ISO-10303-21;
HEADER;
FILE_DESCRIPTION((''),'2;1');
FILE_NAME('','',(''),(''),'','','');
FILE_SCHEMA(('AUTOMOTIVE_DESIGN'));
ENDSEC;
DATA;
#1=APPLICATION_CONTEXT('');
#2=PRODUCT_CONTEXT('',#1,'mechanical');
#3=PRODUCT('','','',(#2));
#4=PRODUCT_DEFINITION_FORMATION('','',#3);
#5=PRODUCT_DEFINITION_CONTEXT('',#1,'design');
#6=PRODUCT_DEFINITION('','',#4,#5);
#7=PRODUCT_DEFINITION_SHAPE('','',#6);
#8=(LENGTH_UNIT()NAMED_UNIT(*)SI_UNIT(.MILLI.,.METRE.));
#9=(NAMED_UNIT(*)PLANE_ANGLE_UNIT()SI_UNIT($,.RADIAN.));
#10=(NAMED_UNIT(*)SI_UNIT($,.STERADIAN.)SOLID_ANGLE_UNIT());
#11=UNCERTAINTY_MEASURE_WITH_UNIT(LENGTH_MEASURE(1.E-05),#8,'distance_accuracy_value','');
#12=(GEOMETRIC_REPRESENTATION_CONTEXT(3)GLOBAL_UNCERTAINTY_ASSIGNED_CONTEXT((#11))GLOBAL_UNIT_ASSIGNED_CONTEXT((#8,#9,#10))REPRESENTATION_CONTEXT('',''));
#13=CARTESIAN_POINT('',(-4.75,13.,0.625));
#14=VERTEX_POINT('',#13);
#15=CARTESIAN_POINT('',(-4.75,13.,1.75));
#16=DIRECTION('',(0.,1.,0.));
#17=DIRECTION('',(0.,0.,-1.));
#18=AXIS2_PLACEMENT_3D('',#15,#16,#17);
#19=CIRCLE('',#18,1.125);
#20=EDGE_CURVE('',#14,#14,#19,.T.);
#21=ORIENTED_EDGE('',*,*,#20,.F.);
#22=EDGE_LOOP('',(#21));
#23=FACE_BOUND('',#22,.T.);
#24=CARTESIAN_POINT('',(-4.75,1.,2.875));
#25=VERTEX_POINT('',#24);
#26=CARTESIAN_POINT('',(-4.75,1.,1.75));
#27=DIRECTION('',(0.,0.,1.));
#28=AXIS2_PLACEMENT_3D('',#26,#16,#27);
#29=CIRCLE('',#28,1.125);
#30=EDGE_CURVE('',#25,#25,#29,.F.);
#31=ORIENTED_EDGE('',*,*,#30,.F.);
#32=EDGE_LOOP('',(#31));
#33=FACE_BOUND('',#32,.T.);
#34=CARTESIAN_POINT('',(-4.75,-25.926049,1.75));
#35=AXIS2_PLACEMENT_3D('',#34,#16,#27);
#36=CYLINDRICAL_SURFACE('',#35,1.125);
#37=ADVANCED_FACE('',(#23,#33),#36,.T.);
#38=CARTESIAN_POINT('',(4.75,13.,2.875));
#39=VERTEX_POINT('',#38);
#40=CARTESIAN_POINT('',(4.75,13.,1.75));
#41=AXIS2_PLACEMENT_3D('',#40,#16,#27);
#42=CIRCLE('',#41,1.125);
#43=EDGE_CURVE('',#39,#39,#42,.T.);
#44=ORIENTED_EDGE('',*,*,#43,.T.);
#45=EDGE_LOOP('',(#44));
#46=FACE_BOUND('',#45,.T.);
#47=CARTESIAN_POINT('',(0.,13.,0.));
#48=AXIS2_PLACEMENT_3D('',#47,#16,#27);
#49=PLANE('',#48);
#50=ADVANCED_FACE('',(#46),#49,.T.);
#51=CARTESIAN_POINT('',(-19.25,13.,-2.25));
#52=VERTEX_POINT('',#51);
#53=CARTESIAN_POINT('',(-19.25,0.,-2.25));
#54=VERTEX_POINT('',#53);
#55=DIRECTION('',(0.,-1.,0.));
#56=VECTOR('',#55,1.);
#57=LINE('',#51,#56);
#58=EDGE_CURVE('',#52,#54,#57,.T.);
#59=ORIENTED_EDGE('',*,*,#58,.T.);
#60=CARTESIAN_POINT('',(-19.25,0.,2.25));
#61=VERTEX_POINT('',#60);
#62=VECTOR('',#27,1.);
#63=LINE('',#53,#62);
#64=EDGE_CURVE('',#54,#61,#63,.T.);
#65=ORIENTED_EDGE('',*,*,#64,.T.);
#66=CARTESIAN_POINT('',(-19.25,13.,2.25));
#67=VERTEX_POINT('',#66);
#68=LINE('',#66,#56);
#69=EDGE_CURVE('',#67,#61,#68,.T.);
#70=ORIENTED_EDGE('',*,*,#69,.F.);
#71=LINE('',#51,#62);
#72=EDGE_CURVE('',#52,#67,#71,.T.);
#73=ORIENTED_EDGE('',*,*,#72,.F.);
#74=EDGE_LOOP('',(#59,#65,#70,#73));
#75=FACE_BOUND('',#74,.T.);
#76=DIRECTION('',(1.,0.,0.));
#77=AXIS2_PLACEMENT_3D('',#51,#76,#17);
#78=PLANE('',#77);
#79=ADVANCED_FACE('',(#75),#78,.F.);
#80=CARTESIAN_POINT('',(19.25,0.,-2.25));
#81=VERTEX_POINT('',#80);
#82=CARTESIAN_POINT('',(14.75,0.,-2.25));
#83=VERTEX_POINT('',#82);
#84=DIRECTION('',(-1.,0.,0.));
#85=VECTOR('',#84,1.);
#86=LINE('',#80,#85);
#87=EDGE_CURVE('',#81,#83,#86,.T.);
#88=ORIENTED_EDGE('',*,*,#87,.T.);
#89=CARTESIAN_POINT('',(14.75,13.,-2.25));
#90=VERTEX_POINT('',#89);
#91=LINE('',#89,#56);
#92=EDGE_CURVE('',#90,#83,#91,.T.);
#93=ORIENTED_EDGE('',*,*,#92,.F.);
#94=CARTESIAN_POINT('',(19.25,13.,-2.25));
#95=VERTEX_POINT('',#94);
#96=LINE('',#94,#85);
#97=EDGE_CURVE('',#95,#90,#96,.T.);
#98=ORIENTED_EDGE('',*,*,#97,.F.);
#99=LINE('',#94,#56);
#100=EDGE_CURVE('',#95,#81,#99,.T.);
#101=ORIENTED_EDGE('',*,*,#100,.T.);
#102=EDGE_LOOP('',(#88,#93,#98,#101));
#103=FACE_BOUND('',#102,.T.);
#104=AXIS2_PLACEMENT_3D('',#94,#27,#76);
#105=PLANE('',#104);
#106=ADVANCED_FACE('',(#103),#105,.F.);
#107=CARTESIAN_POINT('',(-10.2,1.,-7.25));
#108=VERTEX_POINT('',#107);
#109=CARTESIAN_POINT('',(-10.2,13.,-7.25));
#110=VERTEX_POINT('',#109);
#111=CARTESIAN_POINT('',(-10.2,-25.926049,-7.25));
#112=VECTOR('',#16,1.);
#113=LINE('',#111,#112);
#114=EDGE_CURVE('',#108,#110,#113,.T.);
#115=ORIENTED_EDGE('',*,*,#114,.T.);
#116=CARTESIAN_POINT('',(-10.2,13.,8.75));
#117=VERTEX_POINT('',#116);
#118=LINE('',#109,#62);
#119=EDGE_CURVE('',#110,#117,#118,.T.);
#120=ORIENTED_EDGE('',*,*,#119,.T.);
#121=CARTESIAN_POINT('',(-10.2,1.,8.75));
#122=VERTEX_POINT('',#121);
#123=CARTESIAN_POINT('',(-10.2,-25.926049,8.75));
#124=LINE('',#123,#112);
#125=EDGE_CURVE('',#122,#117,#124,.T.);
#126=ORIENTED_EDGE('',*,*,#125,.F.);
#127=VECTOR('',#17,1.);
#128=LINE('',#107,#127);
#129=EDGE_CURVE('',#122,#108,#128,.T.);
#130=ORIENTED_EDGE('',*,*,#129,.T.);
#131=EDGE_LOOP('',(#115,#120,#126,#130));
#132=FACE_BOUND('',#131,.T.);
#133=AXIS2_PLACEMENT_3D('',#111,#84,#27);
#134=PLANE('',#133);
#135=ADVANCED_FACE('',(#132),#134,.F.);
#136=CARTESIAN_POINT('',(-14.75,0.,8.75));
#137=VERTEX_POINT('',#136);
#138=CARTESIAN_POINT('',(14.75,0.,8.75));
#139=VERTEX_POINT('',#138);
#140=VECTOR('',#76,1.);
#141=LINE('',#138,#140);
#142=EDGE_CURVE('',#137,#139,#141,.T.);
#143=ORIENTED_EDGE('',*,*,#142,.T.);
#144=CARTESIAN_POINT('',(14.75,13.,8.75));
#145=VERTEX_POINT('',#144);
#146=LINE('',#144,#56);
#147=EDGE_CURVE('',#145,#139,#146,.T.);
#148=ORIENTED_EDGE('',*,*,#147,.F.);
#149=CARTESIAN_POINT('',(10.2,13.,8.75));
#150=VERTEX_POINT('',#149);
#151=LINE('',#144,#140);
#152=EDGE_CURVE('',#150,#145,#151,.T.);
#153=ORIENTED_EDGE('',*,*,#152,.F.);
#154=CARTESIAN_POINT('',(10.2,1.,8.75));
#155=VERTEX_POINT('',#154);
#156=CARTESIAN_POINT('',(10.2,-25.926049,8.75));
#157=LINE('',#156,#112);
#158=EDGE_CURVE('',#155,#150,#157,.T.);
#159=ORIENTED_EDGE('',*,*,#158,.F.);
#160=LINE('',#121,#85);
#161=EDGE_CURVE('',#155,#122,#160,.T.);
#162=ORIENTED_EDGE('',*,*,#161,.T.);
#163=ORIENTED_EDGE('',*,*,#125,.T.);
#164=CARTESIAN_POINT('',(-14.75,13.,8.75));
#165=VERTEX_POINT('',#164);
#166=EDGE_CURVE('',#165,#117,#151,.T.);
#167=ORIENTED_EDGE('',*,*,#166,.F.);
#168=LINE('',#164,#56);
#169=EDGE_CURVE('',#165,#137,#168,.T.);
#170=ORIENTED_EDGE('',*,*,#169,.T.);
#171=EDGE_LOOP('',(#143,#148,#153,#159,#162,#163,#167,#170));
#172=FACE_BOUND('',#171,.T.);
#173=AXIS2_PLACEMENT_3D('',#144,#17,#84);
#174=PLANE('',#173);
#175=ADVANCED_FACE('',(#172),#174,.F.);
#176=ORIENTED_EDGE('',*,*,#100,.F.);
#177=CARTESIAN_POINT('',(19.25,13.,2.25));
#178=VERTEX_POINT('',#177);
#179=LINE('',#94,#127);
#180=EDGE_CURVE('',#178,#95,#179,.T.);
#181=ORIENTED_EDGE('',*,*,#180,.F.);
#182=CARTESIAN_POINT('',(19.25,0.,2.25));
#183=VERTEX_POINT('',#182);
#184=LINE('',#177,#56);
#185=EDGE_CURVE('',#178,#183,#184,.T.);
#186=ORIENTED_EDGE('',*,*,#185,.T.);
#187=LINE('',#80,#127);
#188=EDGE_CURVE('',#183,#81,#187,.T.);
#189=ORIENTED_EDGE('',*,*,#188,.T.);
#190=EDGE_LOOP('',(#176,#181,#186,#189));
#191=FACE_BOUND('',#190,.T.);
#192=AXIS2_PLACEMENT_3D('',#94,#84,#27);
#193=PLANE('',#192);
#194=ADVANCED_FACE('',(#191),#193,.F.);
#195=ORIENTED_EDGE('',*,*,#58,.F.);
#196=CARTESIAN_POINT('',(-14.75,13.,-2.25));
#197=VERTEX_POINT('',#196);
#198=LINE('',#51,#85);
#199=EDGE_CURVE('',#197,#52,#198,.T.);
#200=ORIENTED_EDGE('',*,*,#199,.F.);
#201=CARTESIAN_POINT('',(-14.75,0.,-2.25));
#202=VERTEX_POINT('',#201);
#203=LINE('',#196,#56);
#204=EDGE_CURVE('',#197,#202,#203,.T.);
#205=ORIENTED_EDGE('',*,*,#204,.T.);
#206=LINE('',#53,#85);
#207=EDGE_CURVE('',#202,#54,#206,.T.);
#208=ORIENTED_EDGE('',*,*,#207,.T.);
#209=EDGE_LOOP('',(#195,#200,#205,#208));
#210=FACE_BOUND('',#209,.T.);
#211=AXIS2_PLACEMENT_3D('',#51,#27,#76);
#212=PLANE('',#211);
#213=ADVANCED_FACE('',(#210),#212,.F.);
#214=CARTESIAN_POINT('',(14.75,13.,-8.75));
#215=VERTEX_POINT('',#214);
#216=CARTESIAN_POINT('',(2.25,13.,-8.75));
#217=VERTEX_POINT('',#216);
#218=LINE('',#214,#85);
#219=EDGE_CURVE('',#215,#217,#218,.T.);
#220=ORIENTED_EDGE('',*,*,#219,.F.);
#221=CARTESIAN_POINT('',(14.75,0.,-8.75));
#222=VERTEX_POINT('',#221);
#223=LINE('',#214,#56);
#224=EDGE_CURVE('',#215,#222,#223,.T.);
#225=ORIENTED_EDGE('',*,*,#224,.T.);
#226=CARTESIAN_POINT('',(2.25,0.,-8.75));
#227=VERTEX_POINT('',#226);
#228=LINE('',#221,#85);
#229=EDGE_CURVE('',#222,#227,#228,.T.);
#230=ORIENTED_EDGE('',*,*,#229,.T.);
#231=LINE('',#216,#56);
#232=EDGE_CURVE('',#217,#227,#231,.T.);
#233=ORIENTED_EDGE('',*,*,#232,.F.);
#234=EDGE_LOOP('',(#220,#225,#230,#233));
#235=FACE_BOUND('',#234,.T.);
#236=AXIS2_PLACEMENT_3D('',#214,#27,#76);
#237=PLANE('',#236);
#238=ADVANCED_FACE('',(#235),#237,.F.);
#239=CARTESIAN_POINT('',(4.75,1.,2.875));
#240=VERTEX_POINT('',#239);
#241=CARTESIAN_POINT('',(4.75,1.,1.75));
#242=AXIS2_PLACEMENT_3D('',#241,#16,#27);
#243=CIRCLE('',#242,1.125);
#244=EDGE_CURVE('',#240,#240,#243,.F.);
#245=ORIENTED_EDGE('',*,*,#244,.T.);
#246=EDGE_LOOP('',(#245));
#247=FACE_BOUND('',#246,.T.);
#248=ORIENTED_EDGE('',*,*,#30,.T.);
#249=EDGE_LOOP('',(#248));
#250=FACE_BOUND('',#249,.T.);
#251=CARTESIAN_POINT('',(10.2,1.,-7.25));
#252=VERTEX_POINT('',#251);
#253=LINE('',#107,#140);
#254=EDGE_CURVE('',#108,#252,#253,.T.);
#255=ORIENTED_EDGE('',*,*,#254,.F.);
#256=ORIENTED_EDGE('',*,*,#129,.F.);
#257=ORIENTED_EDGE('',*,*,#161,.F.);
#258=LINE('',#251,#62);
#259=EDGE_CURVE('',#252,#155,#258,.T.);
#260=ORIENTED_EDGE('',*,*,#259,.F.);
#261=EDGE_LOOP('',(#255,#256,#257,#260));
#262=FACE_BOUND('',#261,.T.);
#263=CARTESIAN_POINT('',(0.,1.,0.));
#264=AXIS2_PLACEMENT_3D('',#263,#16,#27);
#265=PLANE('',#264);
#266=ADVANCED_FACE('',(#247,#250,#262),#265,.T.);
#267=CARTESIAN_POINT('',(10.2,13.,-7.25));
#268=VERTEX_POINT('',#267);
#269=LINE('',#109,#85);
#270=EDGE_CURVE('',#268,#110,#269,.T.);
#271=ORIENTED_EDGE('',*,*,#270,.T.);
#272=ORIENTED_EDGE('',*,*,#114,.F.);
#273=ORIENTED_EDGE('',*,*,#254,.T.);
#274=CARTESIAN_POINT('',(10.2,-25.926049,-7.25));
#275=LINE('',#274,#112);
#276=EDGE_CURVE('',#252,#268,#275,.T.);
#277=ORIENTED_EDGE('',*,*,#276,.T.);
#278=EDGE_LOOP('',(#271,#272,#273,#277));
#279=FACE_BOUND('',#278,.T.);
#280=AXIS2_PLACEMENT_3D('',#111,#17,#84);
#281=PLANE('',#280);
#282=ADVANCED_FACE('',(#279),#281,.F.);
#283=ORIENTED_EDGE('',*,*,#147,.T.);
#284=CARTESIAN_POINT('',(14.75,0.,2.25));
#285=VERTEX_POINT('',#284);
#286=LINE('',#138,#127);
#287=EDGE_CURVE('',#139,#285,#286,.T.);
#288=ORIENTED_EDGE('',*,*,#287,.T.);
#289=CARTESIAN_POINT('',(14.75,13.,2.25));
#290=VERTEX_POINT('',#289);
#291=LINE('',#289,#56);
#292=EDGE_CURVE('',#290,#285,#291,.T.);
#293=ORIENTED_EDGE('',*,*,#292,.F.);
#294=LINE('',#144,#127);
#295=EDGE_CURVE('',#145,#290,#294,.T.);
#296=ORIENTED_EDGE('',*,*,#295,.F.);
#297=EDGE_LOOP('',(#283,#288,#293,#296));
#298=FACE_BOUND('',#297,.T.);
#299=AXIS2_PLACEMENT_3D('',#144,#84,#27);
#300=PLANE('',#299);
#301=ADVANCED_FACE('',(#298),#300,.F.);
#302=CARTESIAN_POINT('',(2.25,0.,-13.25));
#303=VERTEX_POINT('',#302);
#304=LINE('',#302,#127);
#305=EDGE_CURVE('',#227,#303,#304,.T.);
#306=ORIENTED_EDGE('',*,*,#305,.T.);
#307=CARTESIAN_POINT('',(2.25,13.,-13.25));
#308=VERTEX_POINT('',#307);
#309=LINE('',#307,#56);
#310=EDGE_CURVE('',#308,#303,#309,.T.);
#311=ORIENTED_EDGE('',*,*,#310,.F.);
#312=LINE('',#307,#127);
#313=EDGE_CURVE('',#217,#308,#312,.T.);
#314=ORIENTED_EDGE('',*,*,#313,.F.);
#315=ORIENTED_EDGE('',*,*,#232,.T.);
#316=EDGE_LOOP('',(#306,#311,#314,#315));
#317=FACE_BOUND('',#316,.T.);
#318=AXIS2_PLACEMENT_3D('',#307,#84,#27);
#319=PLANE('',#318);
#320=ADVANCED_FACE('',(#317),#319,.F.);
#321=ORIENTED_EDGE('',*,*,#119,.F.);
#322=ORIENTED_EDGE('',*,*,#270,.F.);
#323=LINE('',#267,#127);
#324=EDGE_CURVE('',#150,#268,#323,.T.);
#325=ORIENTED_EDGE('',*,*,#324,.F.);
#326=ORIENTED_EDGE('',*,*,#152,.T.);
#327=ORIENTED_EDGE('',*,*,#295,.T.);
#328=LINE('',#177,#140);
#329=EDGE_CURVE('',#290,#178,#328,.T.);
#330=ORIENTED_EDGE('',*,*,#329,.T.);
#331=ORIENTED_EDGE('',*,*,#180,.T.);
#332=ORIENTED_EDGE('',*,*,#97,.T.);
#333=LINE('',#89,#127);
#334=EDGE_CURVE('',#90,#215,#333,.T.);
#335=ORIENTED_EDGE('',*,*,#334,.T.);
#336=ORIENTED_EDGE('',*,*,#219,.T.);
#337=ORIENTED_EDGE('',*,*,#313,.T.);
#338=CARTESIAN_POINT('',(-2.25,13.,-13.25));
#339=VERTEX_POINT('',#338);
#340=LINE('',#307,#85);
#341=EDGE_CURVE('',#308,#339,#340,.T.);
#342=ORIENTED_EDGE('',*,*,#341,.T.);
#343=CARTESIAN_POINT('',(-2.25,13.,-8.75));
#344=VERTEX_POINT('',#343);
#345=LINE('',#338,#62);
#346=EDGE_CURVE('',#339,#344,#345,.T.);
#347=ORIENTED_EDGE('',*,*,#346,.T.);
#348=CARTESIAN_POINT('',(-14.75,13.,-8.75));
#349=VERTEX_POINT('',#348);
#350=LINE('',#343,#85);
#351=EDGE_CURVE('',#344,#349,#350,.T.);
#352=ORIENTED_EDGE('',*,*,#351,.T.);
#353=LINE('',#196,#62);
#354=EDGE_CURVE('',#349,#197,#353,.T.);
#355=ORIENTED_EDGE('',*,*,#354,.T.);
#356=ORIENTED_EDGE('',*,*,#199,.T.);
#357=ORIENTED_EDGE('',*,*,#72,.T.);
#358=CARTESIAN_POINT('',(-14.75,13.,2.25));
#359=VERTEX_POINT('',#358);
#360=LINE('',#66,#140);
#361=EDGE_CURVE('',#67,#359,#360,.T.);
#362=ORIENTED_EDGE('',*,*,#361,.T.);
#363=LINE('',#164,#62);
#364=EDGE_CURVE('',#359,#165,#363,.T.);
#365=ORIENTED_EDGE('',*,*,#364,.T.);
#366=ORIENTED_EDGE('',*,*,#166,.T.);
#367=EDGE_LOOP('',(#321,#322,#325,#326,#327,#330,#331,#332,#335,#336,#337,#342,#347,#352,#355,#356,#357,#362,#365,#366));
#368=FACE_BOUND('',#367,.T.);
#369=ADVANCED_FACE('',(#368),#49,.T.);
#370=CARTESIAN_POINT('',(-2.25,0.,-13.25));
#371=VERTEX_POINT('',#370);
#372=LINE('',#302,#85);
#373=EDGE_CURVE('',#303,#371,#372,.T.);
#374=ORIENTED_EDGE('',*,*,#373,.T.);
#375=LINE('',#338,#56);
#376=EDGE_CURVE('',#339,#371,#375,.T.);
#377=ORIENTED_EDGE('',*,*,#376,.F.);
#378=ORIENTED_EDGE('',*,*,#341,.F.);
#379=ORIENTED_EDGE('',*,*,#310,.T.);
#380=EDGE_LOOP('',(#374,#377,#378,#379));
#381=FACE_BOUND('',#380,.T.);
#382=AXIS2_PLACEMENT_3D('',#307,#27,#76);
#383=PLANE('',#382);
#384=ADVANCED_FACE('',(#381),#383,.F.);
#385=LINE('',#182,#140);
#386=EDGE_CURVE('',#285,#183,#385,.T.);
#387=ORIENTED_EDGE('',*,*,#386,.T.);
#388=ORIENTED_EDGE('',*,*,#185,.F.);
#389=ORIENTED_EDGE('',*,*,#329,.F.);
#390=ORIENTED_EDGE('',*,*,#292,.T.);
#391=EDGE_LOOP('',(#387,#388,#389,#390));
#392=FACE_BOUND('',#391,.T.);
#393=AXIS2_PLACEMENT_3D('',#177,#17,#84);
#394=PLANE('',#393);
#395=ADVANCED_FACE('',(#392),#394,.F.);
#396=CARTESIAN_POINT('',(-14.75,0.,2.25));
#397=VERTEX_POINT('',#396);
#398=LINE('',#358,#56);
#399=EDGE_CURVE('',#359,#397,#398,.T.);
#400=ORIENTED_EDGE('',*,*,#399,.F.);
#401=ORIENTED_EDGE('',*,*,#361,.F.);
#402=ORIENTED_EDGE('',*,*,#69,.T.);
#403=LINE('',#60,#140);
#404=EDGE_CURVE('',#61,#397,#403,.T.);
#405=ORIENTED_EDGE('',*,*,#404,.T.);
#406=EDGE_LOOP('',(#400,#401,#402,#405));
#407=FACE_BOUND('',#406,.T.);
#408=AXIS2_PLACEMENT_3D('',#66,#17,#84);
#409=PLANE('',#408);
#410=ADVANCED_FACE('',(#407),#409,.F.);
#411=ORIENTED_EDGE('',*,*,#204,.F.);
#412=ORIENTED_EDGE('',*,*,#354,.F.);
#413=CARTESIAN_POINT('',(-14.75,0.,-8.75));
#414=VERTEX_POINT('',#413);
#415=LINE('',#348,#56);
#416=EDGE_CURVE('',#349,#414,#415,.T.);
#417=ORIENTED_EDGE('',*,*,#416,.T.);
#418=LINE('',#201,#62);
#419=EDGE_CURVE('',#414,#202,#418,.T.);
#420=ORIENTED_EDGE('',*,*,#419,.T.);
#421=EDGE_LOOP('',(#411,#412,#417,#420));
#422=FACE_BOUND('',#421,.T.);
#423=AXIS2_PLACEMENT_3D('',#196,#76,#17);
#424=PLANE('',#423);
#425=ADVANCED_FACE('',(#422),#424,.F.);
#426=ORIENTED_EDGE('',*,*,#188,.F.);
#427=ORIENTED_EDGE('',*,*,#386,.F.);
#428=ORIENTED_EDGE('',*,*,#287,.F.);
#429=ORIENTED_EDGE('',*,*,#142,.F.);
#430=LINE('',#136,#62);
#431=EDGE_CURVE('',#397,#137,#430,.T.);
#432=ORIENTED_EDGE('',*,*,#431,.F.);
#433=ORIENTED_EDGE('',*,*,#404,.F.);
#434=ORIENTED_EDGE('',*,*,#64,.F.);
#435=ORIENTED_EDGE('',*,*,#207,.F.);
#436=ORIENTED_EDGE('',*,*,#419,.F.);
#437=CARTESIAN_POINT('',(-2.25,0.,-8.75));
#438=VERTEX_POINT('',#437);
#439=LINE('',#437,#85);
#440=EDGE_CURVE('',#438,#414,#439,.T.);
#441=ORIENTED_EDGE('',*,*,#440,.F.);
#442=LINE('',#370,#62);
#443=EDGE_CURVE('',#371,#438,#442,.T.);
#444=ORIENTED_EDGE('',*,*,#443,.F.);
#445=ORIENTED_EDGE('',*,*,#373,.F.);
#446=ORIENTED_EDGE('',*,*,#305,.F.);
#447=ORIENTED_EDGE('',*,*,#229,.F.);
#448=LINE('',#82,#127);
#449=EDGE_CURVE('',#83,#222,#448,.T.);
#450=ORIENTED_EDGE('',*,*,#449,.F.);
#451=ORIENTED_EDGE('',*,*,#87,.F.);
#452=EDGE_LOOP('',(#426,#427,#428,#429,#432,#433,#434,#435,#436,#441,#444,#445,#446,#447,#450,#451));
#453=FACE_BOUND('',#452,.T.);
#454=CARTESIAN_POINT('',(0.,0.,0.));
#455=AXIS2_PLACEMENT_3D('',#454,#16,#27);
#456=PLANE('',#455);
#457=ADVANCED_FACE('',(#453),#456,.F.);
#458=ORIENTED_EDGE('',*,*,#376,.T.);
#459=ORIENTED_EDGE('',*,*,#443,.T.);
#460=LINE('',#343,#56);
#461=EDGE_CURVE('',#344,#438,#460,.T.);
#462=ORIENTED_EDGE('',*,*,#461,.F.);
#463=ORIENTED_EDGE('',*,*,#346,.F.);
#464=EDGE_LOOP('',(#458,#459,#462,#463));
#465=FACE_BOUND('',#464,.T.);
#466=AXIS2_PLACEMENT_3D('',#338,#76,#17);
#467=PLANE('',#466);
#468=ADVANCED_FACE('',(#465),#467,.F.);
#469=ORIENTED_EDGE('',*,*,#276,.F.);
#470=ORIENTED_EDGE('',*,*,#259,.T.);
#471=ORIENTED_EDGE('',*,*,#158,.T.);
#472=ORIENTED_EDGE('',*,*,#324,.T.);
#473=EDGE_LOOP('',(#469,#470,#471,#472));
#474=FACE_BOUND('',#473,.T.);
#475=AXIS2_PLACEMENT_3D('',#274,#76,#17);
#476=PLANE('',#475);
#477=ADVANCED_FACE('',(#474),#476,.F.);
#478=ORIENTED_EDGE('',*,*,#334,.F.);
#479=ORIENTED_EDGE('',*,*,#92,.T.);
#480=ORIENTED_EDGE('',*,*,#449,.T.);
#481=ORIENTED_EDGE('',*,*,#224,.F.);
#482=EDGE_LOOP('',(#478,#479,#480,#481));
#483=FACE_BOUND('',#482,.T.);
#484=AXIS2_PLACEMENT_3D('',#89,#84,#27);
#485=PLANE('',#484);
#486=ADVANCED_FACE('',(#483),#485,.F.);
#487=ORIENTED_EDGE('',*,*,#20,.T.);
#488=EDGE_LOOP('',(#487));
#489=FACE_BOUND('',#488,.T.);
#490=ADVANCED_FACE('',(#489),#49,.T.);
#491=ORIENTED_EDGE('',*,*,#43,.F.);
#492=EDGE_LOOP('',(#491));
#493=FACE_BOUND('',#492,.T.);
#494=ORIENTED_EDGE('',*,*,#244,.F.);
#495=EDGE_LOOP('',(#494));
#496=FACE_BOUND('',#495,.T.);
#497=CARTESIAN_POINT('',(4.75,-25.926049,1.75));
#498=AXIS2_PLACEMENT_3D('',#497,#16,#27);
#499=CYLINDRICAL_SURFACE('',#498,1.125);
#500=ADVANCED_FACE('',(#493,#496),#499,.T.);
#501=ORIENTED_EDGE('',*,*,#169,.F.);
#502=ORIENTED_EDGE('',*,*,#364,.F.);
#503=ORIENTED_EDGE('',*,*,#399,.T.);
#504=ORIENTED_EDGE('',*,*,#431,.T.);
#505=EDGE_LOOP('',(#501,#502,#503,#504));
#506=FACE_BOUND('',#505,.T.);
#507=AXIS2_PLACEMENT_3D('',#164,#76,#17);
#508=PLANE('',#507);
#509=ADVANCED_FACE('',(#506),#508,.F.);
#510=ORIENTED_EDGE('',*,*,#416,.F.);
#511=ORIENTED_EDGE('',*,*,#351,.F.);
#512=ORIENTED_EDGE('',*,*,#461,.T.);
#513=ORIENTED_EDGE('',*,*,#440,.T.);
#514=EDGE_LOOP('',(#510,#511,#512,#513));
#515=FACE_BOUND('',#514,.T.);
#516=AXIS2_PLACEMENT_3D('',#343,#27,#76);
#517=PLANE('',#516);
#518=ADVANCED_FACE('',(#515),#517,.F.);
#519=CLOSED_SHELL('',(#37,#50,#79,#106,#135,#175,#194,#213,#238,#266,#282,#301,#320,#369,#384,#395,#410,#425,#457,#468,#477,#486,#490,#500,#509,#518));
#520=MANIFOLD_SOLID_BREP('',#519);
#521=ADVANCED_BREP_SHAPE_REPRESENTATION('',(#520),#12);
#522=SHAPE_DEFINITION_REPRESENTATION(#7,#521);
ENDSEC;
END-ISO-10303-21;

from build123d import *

# Parameters (mm, degrees)
SALIENTE_EXTRUIR1_DEPTH = 13
CROQUIS4_W              = 20.4
CROQUIS4_H              = 16
CROQUIS4_R              = 1.125
CORTAR_EXTRUIR1_DEPTH   = 12


with BuildPart() as part:
    # Croquis2 → Saliente-Extruir1 (new body)
    with BuildSketch(Plane(origin=(0, 0, 0), x_dir=(1, 0, 0), z_dir=(0, 1, 0))):
        Polygon((14.75, -8.75), (-14.75, -8.75), (-14.75, -2.25), (-19.25, -2.25), (-19.25, 2.25), (-14.75, 2.25), (-14.75, 8.75), (-2.25, 8.75), (-2.25, 13.25), (2.25, 13.25), (2.25, 8.75), (14.75, 8.75), (14.75, 2.25), (19.25, 2.25), (19.25, -2.25), (14.75, -2.25), align=None)
    extrude(amount=SALIENTE_EXTRUIR1_DEPTH)

    # Croquis4 → Cortar-Extruir1 (cut)
    with BuildSketch(Plane(origin=(0, 13, 0), x_dir=(1, 0, 0), z_dir=(0, 1, 0))):
        with Locations((0, -0.75)):
            Rectangle(CROQUIS4_W, CROQUIS4_H)
        with Locations(Location((4.75, -1.75, 0), (0, 0, 270))):
            Circle(CROQUIS4_R, mode=Mode.SUBTRACT)
        with Locations(Location((-4.75, -1.75, 0), (0, 0, 270))):
            Circle(CROQUIS4_R, mode=Mode.SUBTRACT)
    extrude(amount=-CORTAR_EXTRUIR1_DEPTH, mode=Mode.SUBTRACT)


solid = part.part
